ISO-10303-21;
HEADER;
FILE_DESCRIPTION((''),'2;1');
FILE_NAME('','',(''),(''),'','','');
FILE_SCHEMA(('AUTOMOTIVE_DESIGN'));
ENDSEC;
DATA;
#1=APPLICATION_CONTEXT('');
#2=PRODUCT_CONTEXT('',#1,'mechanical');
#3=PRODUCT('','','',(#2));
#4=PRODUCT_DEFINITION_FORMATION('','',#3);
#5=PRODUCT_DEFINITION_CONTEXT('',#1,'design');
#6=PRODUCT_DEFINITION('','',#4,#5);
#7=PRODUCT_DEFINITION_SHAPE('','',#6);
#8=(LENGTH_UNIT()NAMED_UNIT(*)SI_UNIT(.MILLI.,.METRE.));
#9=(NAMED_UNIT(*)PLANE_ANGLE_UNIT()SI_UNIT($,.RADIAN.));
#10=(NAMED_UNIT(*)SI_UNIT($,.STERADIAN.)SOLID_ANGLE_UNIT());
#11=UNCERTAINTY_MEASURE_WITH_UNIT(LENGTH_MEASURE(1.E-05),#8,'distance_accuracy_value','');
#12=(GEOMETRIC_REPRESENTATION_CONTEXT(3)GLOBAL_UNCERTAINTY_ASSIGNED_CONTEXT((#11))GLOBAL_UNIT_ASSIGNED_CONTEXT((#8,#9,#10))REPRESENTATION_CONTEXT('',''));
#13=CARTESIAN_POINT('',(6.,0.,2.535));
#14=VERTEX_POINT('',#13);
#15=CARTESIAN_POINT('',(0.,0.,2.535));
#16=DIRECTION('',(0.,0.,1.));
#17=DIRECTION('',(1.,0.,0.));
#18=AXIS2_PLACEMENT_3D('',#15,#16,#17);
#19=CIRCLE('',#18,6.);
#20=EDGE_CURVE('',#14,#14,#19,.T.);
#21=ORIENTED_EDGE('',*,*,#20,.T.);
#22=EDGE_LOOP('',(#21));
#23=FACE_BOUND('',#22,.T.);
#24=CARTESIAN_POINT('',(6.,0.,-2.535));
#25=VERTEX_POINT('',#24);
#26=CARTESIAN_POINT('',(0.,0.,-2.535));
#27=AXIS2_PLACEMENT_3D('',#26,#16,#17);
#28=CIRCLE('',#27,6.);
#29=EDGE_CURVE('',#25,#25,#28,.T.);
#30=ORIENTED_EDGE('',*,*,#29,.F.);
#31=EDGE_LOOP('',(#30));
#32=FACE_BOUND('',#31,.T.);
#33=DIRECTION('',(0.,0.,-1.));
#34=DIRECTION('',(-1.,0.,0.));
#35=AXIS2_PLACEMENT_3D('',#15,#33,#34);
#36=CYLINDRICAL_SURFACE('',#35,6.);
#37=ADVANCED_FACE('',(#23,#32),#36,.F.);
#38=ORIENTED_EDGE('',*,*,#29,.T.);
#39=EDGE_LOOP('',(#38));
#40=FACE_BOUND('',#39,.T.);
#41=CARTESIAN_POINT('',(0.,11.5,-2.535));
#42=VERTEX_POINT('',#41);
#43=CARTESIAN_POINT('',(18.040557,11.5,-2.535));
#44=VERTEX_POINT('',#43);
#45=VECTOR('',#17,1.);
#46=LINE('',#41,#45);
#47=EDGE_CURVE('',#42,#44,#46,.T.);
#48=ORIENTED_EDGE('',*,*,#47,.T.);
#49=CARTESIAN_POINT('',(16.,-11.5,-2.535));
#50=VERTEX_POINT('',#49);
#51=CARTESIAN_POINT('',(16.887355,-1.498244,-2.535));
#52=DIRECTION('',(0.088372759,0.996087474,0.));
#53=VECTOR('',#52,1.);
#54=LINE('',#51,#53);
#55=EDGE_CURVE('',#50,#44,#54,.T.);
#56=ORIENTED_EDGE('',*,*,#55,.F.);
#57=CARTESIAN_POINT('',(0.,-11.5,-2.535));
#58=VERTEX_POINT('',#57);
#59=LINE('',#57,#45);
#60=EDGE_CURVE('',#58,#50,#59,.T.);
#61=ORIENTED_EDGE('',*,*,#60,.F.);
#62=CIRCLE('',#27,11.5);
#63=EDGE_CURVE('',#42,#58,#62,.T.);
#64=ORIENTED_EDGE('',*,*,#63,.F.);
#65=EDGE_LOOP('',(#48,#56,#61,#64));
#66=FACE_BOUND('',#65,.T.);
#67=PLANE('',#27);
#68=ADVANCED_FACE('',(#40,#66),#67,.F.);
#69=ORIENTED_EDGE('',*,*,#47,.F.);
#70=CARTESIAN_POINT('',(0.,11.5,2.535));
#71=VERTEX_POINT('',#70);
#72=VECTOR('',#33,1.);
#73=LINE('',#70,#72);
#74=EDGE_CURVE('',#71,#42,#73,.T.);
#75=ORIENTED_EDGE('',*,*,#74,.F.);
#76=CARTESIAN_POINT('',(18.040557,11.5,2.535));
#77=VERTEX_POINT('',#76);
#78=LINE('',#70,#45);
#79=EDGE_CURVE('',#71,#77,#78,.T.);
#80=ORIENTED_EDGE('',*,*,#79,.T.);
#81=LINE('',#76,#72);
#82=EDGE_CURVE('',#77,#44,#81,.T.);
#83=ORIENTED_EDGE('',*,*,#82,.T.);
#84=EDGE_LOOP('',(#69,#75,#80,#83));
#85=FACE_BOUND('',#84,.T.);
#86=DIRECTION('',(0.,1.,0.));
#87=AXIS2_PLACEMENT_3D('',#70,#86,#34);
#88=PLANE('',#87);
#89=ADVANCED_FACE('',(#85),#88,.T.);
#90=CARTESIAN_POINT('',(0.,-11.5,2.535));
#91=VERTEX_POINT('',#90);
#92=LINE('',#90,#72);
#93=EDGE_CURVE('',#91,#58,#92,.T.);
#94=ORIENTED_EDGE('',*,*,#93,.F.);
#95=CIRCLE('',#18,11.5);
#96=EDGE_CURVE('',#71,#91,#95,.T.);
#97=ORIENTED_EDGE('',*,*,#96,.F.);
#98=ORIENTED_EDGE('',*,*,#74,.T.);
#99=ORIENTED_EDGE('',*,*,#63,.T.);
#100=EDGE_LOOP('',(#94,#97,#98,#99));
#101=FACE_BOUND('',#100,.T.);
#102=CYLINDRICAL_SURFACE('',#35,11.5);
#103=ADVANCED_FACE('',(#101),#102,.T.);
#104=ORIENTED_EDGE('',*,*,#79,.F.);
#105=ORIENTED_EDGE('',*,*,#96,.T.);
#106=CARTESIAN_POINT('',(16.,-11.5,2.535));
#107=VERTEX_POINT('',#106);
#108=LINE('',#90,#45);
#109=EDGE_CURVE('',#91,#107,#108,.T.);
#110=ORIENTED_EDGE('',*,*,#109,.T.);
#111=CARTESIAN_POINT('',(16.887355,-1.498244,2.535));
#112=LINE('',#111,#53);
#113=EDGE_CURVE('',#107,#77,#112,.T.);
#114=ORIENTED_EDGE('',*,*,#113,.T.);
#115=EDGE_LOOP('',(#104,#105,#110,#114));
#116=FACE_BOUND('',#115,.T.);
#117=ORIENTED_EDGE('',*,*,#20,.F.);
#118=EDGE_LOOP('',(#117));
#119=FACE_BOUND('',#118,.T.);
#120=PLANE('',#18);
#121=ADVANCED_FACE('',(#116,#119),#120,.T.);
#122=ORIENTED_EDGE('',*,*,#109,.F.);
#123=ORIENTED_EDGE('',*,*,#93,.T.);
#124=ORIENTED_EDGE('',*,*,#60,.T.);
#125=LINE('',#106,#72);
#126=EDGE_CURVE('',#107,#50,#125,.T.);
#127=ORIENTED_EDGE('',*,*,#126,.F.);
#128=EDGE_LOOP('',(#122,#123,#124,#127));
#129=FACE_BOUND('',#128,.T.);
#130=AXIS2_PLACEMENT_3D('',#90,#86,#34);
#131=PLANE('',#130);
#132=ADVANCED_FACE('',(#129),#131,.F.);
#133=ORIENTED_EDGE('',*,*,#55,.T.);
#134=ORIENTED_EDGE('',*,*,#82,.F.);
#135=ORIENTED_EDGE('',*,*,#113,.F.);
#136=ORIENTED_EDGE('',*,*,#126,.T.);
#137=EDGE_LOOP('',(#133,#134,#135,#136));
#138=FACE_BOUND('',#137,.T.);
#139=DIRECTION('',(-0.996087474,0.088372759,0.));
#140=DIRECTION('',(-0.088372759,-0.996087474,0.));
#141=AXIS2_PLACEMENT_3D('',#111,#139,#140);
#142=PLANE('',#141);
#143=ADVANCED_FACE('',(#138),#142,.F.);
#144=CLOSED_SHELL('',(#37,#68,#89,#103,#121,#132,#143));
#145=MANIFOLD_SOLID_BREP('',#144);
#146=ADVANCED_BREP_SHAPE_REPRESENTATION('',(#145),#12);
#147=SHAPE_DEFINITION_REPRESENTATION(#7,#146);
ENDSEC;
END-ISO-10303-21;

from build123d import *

# Parameters (mm, degrees)
SKETCH1_R           = 6
BOSS_EXTRUDE1_DEPTH = 2.535


with BuildPart() as part:
    # Sketch1 → Boss-Extrude1 (new, symmetric)
    # profile 1 of 2: a face of its own
    with BuildSketch(Plane(origin=(0, 0, 0), x_dir=(0, 1, 0), z_dir=(0, 0, 1))):
        with BuildLine():
            ThreePointArc((11.5, 0), (0, 11.5), (-11.5, 0))
            ThreePointArc((-11.5, 0), (0, -11.5), (11.5, 0))
        make_face()
        with Locations(Location((0, 0, 0), (0, 0, 270))):
            Circle(SKETCH1_R, mode=Mode.SUBTRACT)
    # profile 2 of 2: a face of its own
    with BuildSketch(Plane(origin=(0, 0, 0), x_dir=(0, 1, 0), z_dir=(0, 0, 1))):
        with BuildLine():
            ThreePointArc((11.5, 0), (0, -11.5), (-11.5, 0))
            Line((-11.5, 0), (-11.5, -16))
            Line((-11.5, -16), (11.5, -18.040557186))
            Line((11.5, -18.040557186), (11.5, 0))
        make_face()
    extrude(amount=BOSS_EXTRUDE1_DEPTH, both=True)


solid = part.part
